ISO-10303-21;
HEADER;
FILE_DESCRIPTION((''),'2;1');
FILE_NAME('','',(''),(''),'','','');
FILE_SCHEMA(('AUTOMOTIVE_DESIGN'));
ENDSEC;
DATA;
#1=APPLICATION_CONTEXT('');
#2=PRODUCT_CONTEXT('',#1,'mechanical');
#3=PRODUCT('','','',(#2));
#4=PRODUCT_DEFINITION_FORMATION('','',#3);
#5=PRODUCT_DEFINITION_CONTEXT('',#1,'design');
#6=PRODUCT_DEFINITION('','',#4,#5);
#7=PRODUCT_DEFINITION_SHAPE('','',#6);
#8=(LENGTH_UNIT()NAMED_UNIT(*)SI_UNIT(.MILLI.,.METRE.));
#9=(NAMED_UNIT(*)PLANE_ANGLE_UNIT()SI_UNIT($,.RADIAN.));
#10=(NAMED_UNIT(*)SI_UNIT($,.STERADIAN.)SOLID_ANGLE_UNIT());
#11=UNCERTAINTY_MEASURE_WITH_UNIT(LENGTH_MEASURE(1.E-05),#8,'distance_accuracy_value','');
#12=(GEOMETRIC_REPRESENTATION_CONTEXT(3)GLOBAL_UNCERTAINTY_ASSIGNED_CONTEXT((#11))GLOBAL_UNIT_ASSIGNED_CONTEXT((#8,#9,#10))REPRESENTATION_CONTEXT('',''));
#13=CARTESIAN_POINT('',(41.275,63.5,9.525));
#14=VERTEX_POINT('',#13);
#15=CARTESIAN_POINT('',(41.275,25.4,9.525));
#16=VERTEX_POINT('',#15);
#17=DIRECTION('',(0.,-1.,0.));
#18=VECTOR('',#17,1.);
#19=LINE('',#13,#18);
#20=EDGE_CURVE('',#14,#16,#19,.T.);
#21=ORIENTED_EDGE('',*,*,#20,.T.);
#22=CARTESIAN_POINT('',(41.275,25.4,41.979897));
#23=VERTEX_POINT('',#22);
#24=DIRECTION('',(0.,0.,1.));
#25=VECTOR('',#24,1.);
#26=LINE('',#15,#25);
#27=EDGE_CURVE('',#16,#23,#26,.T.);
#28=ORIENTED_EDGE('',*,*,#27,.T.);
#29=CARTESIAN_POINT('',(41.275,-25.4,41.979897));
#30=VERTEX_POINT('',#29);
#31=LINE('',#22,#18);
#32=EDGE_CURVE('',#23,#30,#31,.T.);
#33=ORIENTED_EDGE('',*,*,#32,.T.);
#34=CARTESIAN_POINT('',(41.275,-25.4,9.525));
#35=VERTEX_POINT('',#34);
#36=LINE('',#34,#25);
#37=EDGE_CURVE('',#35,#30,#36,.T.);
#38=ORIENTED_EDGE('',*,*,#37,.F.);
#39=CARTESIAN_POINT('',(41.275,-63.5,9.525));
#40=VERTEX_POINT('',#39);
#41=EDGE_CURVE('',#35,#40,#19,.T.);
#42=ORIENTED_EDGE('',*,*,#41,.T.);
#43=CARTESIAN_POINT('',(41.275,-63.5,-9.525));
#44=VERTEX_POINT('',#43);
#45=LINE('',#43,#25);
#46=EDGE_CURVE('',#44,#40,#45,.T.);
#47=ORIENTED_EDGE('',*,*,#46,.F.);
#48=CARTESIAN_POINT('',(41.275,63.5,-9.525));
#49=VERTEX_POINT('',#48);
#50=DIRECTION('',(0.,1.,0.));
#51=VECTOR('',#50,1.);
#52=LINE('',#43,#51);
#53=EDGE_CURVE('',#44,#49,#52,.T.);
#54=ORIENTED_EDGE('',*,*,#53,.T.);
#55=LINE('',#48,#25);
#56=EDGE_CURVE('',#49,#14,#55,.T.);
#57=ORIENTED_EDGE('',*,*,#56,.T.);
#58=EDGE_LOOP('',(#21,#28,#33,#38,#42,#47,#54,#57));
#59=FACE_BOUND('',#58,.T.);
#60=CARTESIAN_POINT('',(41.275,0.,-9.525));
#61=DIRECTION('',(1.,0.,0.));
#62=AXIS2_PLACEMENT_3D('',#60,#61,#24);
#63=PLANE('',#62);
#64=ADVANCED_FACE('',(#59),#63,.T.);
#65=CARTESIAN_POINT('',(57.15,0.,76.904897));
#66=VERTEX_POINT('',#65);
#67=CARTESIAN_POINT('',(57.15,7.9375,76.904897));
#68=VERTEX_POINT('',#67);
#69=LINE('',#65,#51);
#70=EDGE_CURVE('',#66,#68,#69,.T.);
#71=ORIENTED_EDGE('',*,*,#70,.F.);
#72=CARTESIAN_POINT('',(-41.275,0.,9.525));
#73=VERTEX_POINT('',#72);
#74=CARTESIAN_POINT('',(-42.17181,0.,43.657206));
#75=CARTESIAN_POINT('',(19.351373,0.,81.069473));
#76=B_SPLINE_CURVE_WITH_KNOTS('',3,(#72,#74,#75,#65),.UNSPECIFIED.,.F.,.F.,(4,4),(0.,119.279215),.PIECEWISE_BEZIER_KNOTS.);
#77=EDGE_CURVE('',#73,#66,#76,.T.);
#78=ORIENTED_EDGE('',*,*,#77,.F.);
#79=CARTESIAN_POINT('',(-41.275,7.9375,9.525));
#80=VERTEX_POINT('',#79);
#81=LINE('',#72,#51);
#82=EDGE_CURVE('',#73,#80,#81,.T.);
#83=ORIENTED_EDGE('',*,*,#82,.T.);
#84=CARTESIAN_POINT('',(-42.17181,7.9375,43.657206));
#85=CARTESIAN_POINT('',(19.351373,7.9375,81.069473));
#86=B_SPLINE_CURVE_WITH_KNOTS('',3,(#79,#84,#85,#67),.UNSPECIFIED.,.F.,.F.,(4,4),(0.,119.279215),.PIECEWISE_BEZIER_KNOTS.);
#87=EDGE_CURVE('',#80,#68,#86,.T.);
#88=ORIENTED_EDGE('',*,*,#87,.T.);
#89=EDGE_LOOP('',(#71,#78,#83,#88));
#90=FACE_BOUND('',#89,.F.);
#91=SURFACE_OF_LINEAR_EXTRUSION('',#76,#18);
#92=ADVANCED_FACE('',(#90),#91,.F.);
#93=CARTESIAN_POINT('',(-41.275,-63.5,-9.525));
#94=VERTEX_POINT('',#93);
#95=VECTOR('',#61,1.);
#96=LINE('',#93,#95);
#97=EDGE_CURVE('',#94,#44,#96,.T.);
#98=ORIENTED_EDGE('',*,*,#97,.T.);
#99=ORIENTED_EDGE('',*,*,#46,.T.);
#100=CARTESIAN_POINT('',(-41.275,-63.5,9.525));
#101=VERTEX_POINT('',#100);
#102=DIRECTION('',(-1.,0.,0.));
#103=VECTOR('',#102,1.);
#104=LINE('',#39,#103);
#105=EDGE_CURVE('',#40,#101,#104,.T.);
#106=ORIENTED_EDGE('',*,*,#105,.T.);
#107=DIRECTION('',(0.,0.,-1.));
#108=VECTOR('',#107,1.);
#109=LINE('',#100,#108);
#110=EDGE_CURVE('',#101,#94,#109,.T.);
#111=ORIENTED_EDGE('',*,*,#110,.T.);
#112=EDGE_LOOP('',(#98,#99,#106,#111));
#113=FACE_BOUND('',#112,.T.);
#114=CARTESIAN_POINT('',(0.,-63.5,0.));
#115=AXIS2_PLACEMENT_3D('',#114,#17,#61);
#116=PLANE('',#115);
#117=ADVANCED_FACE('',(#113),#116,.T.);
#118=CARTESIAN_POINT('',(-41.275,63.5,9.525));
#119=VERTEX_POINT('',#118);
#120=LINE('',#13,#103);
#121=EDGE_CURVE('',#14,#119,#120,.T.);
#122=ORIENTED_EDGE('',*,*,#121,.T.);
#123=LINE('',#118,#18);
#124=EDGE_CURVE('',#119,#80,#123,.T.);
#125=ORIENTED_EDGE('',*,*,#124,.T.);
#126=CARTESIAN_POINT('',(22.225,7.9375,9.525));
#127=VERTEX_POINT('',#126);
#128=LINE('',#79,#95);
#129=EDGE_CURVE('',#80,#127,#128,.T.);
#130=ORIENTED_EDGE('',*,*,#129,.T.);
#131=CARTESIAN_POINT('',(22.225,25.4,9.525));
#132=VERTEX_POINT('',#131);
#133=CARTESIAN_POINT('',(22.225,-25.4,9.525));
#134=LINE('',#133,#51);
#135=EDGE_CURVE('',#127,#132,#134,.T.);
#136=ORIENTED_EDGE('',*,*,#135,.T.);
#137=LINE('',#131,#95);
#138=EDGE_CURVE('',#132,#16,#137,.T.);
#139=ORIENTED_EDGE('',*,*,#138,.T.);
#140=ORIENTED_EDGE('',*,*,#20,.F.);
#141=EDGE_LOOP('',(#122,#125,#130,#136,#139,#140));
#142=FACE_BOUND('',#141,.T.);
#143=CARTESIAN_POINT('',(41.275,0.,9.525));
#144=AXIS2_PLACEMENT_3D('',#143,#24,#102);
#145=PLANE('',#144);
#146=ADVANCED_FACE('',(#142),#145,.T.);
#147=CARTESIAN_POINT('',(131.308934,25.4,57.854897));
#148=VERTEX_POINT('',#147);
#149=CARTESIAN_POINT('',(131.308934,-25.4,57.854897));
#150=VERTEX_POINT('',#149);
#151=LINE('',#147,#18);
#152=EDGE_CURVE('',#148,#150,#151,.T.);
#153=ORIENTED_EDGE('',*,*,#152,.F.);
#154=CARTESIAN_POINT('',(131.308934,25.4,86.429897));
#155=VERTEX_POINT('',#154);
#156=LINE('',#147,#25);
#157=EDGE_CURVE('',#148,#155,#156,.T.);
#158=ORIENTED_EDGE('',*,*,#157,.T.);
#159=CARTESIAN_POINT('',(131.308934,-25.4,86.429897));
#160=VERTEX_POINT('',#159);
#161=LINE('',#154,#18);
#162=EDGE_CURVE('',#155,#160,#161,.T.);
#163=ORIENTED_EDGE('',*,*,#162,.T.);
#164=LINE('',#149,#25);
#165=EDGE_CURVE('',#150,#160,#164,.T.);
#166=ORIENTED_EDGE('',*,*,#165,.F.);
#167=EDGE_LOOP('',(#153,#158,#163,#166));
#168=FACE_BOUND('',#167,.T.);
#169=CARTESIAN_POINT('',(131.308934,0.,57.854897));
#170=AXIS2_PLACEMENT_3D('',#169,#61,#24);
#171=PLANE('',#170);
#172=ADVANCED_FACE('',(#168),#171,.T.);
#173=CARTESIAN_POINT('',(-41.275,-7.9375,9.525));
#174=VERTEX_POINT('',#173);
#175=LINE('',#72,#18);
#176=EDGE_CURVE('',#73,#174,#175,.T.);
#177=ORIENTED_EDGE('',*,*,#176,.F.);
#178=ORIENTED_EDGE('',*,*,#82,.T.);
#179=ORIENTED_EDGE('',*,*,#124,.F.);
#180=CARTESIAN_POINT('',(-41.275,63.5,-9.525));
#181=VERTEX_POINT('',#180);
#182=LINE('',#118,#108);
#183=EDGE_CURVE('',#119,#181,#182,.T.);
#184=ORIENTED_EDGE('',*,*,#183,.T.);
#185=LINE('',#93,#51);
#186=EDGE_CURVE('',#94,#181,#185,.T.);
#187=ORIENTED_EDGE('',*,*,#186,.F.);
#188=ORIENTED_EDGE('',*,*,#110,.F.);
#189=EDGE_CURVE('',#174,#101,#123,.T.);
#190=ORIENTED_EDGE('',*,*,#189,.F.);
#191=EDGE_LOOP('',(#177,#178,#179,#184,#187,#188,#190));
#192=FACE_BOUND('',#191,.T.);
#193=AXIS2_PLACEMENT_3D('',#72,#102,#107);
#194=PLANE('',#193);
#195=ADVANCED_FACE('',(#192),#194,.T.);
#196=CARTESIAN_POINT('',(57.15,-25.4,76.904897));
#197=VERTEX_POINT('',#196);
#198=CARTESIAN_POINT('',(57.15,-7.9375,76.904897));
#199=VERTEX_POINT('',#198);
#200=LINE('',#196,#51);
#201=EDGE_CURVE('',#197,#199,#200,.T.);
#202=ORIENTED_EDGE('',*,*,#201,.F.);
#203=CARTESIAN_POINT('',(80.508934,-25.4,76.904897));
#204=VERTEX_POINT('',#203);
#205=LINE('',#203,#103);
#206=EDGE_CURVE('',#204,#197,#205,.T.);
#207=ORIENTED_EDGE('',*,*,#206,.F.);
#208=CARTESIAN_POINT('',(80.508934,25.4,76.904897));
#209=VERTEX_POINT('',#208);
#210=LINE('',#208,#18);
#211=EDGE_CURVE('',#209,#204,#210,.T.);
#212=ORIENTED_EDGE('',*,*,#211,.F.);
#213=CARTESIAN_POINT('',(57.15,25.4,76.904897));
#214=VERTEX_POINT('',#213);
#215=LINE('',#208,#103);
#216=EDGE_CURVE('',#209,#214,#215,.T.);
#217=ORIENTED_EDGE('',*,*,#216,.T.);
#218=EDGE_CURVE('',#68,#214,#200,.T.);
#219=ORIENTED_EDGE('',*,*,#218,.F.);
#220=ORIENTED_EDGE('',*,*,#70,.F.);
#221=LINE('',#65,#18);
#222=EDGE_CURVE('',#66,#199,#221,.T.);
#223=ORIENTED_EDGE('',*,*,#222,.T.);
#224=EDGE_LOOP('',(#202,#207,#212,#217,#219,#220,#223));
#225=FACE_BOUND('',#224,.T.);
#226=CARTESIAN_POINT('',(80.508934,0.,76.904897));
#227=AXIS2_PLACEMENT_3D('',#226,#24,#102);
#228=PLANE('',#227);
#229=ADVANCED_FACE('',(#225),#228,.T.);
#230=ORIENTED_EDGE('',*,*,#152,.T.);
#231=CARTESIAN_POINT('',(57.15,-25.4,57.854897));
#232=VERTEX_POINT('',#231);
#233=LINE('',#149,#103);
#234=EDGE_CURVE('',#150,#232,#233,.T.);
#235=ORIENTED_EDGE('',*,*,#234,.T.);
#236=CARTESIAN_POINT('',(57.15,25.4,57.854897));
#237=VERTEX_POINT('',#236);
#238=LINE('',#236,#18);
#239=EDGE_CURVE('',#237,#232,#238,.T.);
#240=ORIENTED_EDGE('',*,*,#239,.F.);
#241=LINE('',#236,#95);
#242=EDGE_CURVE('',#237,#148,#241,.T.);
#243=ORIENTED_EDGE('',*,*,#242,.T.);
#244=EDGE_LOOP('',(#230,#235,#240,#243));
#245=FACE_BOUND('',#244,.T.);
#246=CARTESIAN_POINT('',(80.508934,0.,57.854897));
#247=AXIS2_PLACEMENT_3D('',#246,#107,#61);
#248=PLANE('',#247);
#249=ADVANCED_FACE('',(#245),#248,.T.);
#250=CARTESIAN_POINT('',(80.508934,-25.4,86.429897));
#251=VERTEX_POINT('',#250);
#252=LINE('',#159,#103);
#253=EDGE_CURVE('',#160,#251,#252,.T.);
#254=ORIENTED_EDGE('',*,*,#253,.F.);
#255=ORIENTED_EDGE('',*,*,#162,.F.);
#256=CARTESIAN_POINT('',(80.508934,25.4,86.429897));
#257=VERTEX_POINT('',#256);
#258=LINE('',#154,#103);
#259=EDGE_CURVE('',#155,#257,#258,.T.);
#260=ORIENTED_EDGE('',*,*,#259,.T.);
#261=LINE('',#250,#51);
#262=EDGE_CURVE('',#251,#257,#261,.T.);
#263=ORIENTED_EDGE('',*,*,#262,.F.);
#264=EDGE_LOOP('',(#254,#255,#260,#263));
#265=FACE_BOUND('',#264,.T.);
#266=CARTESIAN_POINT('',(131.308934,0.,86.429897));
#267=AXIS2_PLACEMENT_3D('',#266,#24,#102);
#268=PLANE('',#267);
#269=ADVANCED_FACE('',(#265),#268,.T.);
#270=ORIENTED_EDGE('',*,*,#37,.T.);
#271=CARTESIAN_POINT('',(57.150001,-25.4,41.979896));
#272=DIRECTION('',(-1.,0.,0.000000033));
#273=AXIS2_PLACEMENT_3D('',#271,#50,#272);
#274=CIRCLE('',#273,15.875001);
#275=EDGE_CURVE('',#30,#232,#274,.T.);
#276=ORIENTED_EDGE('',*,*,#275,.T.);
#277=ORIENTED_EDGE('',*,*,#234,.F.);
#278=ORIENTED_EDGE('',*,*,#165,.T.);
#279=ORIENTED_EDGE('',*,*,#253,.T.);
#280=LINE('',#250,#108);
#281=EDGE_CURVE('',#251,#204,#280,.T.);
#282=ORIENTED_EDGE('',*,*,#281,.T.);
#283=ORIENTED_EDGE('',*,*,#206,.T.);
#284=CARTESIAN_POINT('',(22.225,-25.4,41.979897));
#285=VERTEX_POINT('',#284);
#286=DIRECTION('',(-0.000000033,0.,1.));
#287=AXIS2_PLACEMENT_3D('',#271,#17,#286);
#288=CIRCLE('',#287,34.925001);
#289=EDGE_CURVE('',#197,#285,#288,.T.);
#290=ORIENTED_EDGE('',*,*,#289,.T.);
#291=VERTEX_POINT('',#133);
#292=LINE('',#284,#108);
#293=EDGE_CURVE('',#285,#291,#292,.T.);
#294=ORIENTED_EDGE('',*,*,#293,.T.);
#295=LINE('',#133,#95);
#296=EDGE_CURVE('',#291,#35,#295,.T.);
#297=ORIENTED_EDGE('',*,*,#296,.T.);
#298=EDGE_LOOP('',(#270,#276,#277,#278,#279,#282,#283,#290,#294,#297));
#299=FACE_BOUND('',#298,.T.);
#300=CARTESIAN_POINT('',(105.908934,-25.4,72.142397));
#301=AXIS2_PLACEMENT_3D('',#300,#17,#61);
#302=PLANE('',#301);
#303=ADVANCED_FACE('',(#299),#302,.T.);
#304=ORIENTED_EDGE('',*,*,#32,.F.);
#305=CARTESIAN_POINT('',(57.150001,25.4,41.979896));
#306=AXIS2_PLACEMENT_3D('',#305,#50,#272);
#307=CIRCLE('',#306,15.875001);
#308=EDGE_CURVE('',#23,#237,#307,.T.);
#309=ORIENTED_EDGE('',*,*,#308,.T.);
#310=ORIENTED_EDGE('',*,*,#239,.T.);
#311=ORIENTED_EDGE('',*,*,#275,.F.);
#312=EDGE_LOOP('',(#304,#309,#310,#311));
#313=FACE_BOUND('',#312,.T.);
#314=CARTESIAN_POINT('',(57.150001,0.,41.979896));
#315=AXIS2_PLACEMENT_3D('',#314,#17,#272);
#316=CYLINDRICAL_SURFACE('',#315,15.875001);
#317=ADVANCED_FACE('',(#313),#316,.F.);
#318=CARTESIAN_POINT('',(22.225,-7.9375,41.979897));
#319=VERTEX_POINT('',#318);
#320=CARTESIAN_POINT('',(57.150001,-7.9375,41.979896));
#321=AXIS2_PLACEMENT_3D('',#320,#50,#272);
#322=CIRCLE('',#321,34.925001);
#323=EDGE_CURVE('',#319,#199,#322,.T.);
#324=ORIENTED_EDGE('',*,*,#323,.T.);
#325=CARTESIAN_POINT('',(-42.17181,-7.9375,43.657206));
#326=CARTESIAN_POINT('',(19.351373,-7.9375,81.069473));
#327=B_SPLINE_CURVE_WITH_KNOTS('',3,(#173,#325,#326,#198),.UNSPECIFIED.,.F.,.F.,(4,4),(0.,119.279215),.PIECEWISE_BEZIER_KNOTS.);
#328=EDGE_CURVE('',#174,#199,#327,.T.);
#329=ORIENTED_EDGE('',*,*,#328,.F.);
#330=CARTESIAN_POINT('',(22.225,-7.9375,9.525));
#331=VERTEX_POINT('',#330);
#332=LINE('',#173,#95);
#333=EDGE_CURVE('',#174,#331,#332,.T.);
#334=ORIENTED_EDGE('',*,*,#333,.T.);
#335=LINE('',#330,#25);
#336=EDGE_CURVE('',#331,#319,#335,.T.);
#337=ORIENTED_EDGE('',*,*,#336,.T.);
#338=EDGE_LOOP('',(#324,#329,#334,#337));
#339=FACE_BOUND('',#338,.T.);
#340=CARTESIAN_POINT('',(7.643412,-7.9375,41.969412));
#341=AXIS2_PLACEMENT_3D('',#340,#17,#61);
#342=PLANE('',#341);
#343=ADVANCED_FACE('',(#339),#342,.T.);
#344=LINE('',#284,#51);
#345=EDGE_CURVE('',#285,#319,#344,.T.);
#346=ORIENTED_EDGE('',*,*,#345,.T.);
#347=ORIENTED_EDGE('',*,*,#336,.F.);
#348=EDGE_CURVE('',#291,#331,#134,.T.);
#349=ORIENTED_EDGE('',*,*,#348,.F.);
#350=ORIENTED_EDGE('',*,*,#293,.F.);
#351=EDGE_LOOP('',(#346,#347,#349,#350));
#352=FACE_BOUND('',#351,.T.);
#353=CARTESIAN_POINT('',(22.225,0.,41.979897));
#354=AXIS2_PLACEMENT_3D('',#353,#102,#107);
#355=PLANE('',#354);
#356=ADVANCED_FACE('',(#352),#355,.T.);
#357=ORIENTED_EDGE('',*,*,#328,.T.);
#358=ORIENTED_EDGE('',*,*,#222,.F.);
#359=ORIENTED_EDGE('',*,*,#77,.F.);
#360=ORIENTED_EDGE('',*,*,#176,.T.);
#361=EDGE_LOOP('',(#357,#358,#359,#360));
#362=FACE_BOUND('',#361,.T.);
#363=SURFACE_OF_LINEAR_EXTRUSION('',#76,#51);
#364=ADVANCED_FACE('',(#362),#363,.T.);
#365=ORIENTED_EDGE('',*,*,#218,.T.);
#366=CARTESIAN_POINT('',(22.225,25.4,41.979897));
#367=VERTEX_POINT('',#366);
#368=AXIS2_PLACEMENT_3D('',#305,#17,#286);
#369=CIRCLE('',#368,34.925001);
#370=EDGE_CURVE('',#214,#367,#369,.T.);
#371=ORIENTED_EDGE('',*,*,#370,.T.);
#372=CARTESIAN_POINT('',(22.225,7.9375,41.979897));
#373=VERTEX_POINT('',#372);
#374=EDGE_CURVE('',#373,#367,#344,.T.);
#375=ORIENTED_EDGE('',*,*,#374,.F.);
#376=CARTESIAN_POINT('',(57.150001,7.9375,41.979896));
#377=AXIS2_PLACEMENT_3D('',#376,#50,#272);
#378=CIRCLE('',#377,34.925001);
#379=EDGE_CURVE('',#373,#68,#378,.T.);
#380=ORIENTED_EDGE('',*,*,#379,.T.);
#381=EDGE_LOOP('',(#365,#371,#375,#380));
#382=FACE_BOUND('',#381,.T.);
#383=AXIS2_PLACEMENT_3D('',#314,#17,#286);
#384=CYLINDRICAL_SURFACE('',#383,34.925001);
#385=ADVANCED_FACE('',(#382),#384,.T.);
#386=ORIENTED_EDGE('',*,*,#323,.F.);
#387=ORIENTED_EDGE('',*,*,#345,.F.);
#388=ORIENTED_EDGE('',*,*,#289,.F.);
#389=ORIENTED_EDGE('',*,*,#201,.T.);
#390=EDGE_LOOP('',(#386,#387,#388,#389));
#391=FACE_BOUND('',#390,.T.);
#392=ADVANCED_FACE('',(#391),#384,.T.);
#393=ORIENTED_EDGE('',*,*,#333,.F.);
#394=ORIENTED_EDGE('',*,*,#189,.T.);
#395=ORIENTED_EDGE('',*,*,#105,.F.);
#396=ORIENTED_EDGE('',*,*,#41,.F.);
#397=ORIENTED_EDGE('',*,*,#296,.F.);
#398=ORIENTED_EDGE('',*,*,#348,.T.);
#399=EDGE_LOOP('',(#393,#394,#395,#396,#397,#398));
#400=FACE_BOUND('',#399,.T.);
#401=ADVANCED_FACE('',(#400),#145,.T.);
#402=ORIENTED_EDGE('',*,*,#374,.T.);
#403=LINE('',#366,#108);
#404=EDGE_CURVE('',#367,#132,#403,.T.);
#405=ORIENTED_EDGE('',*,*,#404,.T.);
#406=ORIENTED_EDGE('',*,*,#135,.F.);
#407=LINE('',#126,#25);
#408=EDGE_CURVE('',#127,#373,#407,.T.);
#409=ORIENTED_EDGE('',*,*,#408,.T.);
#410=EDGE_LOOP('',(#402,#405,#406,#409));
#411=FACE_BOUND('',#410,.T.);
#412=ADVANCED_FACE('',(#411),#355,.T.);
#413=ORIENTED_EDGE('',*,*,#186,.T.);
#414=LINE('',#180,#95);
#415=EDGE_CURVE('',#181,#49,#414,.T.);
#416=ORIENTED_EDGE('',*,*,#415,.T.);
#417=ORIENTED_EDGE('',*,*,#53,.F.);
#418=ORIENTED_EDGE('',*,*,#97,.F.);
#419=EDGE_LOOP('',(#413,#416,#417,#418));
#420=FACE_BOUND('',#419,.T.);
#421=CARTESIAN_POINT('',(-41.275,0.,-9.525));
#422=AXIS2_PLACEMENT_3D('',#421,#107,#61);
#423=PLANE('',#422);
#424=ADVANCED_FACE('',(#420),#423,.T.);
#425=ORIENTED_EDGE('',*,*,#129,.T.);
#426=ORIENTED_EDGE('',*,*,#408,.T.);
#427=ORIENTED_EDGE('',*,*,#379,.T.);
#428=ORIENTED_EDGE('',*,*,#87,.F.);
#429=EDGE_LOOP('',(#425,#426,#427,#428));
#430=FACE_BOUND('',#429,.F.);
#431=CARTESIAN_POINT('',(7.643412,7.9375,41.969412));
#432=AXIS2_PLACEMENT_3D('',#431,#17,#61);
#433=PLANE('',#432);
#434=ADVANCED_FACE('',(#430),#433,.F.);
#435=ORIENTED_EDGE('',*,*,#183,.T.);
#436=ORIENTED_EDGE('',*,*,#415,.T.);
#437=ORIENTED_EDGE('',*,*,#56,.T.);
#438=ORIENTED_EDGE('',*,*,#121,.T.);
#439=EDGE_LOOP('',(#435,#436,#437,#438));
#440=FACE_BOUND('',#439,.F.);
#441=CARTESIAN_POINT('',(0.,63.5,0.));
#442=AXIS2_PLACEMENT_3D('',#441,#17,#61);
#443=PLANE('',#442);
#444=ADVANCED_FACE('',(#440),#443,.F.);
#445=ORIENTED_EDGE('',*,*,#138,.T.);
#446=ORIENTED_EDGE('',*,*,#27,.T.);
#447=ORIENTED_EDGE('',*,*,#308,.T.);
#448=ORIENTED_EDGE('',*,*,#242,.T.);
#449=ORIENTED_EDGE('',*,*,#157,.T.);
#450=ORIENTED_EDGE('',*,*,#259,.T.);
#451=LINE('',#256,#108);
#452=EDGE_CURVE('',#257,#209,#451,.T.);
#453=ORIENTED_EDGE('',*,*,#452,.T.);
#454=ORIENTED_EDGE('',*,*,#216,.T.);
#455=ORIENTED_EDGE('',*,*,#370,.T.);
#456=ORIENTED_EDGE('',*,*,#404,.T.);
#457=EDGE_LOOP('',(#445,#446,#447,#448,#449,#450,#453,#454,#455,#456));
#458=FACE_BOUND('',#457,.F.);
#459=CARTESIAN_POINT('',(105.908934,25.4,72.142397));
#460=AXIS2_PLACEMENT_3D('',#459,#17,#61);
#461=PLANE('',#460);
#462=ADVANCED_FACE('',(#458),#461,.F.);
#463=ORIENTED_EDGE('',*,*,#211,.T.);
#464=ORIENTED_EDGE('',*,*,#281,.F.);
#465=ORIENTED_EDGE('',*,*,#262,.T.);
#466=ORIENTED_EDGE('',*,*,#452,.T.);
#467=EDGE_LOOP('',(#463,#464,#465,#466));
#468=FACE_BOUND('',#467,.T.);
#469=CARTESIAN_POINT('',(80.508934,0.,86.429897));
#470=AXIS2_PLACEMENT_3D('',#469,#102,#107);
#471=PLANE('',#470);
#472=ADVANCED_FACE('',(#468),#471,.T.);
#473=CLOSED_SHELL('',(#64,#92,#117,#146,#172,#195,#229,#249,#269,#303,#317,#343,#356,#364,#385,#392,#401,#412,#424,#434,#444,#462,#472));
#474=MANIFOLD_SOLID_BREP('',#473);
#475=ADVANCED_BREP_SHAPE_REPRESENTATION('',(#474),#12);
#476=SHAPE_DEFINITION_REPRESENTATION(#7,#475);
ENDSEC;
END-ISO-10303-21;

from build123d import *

# Parameters (mm, degrees)
F1_DEPTH = 63.5
F2_DEPTH = 25.4
F3_DEPTH = 25.4
F4_DEPTH = 7.9375


with BuildPart() as f1:
    # F0 (on Front) → F1 (new body, symmetric)
    with BuildSketch(Plane.XZ):
        Polygon((41.275, -9.525), (41.275, 9.525), (22.225, 9.525), (-41.275, 9.525), (-41.275, -9.525), align=None)
    extrude(amount=F1_DEPTH, both=True)

    # F0 (on Front) → F2 (join, symmetric)
    with BuildSketch(Plane.XZ):
        with BuildLine():
            Line((22.225, 9.525), (41.275, 9.525))
            Line((41.275, 9.525), (41.275, 41.979897))
            ThreePointArc((41.275, 41.979897), (45.92468, 53.205217), (57.15, 57.854897))
            Line((57.15, 57.854897), (80.508934, 57.854897))
            Line((80.508934, 57.854897), (80.508934, 76.904897))
            Line((80.508934, 76.904897), (57.15, 76.904897))
            ThreePointArc((57.15, 76.904897), (32.454296, 66.675601), (22.225, 41.979897))
            Line((22.225, 41.979897), (22.225, 9.525))
        make_face()
    extrude(amount=F2_DEPTH, both=True)

    # F0 (on Front) → F3 (join, symmetric)
    with BuildSketch(Plane.XZ):
        Polygon((80.508934, 76.904897), (80.508934, 57.854897), (131.308934, 57.854897), (131.308934, 86.429897), (80.508934, 86.429897), align=None)
    extrude(amount=F3_DEPTH, both=True)

    # F0 (on Front) → F4 (join, symmetric)
    with BuildSketch(Plane.XZ):
        with BuildLine():
            Line((-41.275, 9.525), (22.225, 9.525))
            Line((22.225, 9.525), (22.225, 41.979897))
            ThreePointArc((22.225, 41.979897), (32.454296, 66.675601), (57.15, 76.904897))
            add(Edge.make_bspline(
                [(-41.275, 9.525), (-42.17181, 43.657206), (19.351373, 81.069473), (57.15, 76.904897)],
                knots=[0, 0, 0, 0, 119.279215, 119.279215, 119.279215, 119.279215], degree=3))
        make_face()
    extrude(amount=F4_DEPTH, both=True)


solid = f1.part
